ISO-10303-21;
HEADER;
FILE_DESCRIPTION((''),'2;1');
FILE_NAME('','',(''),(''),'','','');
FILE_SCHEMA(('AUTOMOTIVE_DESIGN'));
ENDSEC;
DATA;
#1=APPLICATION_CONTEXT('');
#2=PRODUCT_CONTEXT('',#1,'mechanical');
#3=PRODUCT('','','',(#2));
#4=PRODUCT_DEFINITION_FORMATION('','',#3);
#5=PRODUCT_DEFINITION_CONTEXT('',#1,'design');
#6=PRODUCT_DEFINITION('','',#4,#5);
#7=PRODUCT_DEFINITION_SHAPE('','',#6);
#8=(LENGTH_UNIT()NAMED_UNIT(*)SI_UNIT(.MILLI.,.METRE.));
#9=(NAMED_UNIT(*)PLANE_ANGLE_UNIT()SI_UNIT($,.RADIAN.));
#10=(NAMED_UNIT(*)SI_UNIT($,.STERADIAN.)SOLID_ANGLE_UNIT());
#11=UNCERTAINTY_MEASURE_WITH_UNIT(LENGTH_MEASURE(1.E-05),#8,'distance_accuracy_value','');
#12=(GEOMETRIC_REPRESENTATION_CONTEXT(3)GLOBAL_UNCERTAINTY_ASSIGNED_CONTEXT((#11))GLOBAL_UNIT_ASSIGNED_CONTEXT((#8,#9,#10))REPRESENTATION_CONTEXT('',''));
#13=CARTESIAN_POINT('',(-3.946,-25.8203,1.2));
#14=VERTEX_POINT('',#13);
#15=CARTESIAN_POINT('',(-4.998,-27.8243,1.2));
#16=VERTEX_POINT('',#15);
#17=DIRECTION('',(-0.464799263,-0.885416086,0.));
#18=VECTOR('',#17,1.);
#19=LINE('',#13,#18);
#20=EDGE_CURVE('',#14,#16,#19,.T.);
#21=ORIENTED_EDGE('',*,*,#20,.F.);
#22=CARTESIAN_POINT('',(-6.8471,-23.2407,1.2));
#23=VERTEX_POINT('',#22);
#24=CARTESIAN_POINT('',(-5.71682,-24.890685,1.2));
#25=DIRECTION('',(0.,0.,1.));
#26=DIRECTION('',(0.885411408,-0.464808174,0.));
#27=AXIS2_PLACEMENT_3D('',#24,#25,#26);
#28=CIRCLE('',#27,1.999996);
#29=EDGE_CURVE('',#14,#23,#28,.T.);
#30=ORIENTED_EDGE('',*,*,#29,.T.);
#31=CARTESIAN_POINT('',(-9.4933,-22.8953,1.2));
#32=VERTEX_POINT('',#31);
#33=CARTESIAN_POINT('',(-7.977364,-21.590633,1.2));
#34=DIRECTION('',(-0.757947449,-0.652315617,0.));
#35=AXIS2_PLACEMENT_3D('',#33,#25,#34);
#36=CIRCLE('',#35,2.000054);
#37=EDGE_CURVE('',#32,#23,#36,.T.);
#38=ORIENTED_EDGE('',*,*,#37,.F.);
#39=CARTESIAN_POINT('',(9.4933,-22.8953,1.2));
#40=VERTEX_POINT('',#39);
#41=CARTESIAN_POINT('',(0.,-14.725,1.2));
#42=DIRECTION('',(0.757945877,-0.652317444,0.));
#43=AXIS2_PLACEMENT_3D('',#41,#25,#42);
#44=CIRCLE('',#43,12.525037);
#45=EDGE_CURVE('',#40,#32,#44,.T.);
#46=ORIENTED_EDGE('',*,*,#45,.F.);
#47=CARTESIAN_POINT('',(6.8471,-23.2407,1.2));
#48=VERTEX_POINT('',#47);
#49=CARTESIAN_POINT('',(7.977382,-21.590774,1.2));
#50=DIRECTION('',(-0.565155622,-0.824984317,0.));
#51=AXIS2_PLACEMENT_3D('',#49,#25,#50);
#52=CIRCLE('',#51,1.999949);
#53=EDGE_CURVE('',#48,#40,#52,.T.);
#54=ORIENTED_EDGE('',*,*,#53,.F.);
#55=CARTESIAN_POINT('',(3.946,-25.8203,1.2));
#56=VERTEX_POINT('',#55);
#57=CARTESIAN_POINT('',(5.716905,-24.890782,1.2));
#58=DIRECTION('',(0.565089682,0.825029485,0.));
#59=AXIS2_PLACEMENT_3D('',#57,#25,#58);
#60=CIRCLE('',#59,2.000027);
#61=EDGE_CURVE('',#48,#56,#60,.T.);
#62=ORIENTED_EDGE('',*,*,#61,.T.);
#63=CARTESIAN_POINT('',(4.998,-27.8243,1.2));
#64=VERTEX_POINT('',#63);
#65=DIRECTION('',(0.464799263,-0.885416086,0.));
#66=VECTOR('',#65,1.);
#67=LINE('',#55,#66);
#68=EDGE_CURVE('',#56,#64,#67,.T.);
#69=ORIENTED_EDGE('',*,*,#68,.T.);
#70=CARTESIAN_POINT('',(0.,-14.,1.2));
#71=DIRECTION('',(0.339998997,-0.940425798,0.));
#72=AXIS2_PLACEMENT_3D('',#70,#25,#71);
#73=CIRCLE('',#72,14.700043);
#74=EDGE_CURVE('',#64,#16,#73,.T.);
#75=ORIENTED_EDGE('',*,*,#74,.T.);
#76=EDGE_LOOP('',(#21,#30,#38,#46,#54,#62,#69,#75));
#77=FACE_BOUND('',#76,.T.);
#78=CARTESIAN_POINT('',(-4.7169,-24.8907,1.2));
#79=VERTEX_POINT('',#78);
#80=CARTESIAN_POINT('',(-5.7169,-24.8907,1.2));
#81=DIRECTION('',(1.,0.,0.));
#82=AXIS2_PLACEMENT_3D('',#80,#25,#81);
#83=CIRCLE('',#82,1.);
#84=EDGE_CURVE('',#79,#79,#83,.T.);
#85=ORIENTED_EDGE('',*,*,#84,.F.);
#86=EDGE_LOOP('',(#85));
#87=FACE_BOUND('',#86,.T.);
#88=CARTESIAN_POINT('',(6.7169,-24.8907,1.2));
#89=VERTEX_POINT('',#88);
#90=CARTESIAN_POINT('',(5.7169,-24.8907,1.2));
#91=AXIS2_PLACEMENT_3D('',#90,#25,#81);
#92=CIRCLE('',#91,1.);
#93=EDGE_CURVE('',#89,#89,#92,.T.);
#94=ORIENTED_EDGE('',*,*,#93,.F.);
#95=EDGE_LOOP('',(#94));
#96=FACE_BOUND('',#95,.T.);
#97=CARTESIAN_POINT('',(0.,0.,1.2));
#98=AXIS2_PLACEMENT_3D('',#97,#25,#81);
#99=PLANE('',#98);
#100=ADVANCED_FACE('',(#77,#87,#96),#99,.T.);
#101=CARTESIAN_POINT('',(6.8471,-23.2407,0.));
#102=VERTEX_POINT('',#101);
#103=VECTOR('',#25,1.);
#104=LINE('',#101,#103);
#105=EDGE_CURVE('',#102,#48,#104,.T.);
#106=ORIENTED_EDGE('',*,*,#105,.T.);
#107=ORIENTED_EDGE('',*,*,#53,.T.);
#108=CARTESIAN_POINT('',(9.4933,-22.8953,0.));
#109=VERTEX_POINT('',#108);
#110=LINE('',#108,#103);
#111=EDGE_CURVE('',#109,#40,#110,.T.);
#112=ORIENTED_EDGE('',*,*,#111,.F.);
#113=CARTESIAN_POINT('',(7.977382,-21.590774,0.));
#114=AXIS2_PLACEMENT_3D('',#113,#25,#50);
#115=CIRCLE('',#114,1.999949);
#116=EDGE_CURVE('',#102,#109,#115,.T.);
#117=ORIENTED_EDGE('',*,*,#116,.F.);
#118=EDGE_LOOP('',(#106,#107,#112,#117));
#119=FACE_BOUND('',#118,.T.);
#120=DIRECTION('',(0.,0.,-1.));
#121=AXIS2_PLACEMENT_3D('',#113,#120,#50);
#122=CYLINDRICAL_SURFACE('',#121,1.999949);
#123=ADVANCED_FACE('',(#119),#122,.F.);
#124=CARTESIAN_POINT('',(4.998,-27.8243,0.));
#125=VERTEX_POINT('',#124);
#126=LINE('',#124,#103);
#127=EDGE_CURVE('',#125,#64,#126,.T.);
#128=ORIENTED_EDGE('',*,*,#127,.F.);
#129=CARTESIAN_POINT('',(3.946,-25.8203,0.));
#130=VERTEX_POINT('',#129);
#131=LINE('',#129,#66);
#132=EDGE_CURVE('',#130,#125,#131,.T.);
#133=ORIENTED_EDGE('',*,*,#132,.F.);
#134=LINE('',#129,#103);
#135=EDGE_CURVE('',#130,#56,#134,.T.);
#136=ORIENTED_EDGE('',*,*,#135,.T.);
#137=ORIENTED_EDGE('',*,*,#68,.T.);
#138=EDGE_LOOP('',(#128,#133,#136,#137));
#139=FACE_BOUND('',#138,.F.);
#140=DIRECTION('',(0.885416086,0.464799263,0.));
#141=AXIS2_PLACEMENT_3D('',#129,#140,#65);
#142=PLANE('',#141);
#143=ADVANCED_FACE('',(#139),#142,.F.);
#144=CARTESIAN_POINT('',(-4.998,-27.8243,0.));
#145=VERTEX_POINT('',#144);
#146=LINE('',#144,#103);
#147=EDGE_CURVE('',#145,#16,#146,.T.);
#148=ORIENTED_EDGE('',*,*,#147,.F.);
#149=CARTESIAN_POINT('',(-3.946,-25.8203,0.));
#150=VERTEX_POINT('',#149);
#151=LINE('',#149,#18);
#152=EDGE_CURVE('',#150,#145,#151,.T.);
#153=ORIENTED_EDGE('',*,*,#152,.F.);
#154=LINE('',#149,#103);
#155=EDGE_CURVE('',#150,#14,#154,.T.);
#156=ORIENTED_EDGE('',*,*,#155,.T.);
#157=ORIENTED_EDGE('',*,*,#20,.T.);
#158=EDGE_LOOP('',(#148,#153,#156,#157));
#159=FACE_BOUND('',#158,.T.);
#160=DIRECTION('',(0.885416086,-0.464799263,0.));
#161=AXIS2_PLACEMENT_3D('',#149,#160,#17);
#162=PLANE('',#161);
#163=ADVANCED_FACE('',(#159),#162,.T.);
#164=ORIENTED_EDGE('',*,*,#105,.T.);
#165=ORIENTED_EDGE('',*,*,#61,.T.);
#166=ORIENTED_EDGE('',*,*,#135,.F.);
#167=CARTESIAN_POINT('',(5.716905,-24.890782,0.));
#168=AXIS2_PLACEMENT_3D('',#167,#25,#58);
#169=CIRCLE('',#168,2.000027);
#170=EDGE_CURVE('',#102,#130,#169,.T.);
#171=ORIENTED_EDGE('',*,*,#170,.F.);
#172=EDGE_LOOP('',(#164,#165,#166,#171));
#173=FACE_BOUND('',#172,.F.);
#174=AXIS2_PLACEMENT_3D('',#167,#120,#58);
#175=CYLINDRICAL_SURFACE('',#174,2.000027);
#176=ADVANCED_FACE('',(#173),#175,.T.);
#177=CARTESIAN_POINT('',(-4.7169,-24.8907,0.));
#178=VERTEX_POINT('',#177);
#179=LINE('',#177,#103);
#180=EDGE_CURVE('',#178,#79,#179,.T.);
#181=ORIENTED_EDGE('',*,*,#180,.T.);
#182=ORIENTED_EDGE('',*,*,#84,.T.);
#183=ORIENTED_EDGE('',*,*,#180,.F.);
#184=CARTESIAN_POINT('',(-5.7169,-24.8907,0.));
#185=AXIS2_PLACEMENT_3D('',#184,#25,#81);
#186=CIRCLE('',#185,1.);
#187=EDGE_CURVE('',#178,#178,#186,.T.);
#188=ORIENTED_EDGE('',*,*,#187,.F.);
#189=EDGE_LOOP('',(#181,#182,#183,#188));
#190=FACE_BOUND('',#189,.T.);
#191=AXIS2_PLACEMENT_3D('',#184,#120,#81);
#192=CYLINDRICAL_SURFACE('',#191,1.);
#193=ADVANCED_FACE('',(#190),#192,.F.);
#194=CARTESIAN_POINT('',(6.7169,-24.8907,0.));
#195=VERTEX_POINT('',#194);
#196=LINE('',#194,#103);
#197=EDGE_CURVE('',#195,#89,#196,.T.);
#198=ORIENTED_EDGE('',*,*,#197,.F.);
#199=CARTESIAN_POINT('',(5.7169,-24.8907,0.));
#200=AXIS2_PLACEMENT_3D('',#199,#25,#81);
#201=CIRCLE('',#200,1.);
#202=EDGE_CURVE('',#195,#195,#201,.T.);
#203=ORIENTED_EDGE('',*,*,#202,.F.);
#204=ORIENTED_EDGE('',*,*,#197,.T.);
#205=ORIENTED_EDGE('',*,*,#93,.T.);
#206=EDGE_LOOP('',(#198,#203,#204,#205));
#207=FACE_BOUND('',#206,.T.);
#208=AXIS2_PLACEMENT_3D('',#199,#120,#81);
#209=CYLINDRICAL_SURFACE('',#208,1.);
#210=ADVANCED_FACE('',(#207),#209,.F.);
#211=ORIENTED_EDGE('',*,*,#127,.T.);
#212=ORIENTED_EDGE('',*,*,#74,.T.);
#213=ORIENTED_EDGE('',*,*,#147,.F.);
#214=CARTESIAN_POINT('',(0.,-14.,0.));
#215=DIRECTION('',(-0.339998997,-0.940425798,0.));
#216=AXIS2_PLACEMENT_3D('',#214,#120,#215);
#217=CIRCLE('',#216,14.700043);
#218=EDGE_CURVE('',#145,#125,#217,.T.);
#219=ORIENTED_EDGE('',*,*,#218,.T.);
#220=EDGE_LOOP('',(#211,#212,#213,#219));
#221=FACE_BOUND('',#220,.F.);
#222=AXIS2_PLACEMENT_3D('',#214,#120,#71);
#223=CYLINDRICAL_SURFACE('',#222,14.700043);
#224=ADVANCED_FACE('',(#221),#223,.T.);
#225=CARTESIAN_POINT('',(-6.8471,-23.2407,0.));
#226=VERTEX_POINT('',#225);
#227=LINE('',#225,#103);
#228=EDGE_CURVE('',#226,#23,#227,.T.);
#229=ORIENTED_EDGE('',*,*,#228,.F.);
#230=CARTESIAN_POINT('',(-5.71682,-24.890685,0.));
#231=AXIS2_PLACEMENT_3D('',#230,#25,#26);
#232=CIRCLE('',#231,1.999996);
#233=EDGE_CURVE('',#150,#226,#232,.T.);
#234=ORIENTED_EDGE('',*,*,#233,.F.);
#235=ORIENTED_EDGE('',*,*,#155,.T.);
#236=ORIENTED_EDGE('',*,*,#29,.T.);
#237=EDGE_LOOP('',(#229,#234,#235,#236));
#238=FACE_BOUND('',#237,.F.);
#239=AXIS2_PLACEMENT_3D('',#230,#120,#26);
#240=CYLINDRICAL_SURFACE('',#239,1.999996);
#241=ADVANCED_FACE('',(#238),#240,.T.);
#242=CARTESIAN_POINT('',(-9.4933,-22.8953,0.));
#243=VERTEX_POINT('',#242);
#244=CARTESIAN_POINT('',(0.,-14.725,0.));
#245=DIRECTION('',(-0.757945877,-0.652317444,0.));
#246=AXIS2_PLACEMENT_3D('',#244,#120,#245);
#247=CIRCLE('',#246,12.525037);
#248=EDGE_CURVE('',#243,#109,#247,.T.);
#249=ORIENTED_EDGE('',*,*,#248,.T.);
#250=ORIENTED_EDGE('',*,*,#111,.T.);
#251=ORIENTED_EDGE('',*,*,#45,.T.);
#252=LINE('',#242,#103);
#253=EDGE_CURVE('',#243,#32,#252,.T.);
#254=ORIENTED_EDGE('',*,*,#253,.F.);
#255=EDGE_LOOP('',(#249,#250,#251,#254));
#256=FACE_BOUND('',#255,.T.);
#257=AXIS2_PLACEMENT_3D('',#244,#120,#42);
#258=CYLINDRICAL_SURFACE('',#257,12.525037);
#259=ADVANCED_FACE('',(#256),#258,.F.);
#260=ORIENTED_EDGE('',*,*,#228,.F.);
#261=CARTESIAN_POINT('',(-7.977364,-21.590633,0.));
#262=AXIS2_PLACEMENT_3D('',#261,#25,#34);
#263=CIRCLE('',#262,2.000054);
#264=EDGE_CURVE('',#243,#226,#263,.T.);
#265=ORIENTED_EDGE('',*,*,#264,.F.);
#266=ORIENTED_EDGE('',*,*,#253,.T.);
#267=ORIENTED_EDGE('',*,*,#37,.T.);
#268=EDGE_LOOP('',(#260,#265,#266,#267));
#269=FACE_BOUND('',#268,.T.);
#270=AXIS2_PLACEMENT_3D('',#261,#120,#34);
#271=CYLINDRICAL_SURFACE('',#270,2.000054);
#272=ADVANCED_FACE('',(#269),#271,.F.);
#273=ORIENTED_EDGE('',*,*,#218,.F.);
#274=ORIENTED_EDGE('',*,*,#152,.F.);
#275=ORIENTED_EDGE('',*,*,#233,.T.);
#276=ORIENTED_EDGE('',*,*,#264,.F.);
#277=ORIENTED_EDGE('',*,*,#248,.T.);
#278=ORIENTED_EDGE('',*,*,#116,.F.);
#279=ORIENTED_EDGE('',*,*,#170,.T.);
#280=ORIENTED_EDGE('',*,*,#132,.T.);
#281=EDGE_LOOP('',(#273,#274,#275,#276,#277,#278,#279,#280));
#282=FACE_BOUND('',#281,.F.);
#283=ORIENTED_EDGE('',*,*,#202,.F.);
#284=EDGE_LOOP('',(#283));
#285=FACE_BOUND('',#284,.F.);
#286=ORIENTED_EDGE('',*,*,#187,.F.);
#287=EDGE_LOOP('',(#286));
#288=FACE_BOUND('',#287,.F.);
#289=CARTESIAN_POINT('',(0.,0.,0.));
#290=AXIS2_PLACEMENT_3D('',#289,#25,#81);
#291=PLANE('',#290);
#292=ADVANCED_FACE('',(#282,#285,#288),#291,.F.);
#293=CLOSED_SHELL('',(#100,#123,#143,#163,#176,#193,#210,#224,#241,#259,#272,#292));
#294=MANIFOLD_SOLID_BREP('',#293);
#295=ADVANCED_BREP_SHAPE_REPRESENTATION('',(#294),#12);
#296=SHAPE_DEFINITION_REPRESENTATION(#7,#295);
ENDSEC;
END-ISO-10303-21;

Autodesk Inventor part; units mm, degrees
ref_plane "YZ Plane" through (0, 0, 0) normal (1, 0, 0) x (0, 1, 0)
ref_plane "XZ Plane" through (0, 0, 0) normal (0, 1, 0) x (-1, 0, 0)
sketch "Sketch1" plane through (0, 0, 0) normal (0, 0, 1) x (1, 0, 0)
  arc A0 (9.4933, -22.8953) -> (-9.4933, -22.8953) centre (0, -14.725) ccw
  line L0 (0, 15.1128) -> (0, -73.1766) projected
  line L1 (-45.5, 0) -> (45.5, 0) projected
  line L2 (-4.9645, 0.7) -> (1.5024, 0.7) construction
  arc A1 (4.998, -27.8243) -> (-4.998, -27.8243) centre (0, -14) ccw
  line L3 (0, -2.2) -> (-5.3069, -2.2) construction
  line L4 (0, -14) -> (-6.8324, -27.0157) construction
  line L5 (-6.8324, -27.0157) -> (-20.0146, -20.0959) construction
  line L6 (-5.7169, -24.8907) -> (-15.9662, -19.5105) construction
  circle A2 centre (-5.7169, -24.8907) radius 1
  arc A3 (-3.946, -25.8203) -> (-6.8471, -23.2407) centre (-5.7169, -24.8907) ccw
  arc A4 (-9.4933, -22.8953) -> (-6.8471, -23.2407) centre (-7.9774, -21.5907) ccw
  line L7 (-3.946, -25.8203) -> (-4.998, -27.8243)
  circle A5 centre (5.7169, -24.8907) radius 1
  arc A6 (6.8471, -23.2407) -> (3.946, -25.8203) centre (5.7169, -24.8907) ccw
  arc A7 (6.8471, -23.2407) -> (9.4933, -22.8953) centre (7.9774, -21.5907) ccw
  line L8 (3.946, -25.8203) -> (4.998, -27.8243)
  point P0 (-9.4727, -22.9192)
  point P1 (6.8324, -27.0157)
  dimension "d8" = 0.725
  dimension "d38" = 2.9
  dimension "d39" = 14
  dimension "d43" = 14.7
  dimension "d45" = 2.4
  dimension "d46" = 2
  dimension "d47" = 4.998
  dimension "d48" = 2
  dimension "d49" = 2
extrude "Body" add sketch "Sketch1" along normal blind 1.2
ref_plane "Work Plane1" through (0, -14.725, 0) normal (1, 0, 0) x (0, 0, 1)
equation "\"d8\" = 0.25 * SRB1"
equation "\"d38\" = SRB1"
equation "\"d39\" = 0.5 * WD"
equation "\"d43\" = 0.5 * ND"
equation "\"d45\" = 0.5 * SRB2"
equation "\"d46\" = SD5"
equation "\"d47\" = 0.17 * ND"
equation "\"d48\" = SD5"
equation "\"d49\" = SD5"
equation "\"d2\" = SD"
equation "\"WD\" = 28"
equation "\"SD\" = 1.2"
equation "\"SRB1\" = 2.9"
equation "\"ND\" = 29.4"
equation "\"SRB2\" = 4.8"
equation "\"SD5\" = 2"
equation "\"WDMIN\" = 26"
equation "\"SD6\" = 30.1"
equation "\"WDMAX\" = 28"
equation "\"NND\" = 28"
properties part number "472-028" material "Steel, Mild"
